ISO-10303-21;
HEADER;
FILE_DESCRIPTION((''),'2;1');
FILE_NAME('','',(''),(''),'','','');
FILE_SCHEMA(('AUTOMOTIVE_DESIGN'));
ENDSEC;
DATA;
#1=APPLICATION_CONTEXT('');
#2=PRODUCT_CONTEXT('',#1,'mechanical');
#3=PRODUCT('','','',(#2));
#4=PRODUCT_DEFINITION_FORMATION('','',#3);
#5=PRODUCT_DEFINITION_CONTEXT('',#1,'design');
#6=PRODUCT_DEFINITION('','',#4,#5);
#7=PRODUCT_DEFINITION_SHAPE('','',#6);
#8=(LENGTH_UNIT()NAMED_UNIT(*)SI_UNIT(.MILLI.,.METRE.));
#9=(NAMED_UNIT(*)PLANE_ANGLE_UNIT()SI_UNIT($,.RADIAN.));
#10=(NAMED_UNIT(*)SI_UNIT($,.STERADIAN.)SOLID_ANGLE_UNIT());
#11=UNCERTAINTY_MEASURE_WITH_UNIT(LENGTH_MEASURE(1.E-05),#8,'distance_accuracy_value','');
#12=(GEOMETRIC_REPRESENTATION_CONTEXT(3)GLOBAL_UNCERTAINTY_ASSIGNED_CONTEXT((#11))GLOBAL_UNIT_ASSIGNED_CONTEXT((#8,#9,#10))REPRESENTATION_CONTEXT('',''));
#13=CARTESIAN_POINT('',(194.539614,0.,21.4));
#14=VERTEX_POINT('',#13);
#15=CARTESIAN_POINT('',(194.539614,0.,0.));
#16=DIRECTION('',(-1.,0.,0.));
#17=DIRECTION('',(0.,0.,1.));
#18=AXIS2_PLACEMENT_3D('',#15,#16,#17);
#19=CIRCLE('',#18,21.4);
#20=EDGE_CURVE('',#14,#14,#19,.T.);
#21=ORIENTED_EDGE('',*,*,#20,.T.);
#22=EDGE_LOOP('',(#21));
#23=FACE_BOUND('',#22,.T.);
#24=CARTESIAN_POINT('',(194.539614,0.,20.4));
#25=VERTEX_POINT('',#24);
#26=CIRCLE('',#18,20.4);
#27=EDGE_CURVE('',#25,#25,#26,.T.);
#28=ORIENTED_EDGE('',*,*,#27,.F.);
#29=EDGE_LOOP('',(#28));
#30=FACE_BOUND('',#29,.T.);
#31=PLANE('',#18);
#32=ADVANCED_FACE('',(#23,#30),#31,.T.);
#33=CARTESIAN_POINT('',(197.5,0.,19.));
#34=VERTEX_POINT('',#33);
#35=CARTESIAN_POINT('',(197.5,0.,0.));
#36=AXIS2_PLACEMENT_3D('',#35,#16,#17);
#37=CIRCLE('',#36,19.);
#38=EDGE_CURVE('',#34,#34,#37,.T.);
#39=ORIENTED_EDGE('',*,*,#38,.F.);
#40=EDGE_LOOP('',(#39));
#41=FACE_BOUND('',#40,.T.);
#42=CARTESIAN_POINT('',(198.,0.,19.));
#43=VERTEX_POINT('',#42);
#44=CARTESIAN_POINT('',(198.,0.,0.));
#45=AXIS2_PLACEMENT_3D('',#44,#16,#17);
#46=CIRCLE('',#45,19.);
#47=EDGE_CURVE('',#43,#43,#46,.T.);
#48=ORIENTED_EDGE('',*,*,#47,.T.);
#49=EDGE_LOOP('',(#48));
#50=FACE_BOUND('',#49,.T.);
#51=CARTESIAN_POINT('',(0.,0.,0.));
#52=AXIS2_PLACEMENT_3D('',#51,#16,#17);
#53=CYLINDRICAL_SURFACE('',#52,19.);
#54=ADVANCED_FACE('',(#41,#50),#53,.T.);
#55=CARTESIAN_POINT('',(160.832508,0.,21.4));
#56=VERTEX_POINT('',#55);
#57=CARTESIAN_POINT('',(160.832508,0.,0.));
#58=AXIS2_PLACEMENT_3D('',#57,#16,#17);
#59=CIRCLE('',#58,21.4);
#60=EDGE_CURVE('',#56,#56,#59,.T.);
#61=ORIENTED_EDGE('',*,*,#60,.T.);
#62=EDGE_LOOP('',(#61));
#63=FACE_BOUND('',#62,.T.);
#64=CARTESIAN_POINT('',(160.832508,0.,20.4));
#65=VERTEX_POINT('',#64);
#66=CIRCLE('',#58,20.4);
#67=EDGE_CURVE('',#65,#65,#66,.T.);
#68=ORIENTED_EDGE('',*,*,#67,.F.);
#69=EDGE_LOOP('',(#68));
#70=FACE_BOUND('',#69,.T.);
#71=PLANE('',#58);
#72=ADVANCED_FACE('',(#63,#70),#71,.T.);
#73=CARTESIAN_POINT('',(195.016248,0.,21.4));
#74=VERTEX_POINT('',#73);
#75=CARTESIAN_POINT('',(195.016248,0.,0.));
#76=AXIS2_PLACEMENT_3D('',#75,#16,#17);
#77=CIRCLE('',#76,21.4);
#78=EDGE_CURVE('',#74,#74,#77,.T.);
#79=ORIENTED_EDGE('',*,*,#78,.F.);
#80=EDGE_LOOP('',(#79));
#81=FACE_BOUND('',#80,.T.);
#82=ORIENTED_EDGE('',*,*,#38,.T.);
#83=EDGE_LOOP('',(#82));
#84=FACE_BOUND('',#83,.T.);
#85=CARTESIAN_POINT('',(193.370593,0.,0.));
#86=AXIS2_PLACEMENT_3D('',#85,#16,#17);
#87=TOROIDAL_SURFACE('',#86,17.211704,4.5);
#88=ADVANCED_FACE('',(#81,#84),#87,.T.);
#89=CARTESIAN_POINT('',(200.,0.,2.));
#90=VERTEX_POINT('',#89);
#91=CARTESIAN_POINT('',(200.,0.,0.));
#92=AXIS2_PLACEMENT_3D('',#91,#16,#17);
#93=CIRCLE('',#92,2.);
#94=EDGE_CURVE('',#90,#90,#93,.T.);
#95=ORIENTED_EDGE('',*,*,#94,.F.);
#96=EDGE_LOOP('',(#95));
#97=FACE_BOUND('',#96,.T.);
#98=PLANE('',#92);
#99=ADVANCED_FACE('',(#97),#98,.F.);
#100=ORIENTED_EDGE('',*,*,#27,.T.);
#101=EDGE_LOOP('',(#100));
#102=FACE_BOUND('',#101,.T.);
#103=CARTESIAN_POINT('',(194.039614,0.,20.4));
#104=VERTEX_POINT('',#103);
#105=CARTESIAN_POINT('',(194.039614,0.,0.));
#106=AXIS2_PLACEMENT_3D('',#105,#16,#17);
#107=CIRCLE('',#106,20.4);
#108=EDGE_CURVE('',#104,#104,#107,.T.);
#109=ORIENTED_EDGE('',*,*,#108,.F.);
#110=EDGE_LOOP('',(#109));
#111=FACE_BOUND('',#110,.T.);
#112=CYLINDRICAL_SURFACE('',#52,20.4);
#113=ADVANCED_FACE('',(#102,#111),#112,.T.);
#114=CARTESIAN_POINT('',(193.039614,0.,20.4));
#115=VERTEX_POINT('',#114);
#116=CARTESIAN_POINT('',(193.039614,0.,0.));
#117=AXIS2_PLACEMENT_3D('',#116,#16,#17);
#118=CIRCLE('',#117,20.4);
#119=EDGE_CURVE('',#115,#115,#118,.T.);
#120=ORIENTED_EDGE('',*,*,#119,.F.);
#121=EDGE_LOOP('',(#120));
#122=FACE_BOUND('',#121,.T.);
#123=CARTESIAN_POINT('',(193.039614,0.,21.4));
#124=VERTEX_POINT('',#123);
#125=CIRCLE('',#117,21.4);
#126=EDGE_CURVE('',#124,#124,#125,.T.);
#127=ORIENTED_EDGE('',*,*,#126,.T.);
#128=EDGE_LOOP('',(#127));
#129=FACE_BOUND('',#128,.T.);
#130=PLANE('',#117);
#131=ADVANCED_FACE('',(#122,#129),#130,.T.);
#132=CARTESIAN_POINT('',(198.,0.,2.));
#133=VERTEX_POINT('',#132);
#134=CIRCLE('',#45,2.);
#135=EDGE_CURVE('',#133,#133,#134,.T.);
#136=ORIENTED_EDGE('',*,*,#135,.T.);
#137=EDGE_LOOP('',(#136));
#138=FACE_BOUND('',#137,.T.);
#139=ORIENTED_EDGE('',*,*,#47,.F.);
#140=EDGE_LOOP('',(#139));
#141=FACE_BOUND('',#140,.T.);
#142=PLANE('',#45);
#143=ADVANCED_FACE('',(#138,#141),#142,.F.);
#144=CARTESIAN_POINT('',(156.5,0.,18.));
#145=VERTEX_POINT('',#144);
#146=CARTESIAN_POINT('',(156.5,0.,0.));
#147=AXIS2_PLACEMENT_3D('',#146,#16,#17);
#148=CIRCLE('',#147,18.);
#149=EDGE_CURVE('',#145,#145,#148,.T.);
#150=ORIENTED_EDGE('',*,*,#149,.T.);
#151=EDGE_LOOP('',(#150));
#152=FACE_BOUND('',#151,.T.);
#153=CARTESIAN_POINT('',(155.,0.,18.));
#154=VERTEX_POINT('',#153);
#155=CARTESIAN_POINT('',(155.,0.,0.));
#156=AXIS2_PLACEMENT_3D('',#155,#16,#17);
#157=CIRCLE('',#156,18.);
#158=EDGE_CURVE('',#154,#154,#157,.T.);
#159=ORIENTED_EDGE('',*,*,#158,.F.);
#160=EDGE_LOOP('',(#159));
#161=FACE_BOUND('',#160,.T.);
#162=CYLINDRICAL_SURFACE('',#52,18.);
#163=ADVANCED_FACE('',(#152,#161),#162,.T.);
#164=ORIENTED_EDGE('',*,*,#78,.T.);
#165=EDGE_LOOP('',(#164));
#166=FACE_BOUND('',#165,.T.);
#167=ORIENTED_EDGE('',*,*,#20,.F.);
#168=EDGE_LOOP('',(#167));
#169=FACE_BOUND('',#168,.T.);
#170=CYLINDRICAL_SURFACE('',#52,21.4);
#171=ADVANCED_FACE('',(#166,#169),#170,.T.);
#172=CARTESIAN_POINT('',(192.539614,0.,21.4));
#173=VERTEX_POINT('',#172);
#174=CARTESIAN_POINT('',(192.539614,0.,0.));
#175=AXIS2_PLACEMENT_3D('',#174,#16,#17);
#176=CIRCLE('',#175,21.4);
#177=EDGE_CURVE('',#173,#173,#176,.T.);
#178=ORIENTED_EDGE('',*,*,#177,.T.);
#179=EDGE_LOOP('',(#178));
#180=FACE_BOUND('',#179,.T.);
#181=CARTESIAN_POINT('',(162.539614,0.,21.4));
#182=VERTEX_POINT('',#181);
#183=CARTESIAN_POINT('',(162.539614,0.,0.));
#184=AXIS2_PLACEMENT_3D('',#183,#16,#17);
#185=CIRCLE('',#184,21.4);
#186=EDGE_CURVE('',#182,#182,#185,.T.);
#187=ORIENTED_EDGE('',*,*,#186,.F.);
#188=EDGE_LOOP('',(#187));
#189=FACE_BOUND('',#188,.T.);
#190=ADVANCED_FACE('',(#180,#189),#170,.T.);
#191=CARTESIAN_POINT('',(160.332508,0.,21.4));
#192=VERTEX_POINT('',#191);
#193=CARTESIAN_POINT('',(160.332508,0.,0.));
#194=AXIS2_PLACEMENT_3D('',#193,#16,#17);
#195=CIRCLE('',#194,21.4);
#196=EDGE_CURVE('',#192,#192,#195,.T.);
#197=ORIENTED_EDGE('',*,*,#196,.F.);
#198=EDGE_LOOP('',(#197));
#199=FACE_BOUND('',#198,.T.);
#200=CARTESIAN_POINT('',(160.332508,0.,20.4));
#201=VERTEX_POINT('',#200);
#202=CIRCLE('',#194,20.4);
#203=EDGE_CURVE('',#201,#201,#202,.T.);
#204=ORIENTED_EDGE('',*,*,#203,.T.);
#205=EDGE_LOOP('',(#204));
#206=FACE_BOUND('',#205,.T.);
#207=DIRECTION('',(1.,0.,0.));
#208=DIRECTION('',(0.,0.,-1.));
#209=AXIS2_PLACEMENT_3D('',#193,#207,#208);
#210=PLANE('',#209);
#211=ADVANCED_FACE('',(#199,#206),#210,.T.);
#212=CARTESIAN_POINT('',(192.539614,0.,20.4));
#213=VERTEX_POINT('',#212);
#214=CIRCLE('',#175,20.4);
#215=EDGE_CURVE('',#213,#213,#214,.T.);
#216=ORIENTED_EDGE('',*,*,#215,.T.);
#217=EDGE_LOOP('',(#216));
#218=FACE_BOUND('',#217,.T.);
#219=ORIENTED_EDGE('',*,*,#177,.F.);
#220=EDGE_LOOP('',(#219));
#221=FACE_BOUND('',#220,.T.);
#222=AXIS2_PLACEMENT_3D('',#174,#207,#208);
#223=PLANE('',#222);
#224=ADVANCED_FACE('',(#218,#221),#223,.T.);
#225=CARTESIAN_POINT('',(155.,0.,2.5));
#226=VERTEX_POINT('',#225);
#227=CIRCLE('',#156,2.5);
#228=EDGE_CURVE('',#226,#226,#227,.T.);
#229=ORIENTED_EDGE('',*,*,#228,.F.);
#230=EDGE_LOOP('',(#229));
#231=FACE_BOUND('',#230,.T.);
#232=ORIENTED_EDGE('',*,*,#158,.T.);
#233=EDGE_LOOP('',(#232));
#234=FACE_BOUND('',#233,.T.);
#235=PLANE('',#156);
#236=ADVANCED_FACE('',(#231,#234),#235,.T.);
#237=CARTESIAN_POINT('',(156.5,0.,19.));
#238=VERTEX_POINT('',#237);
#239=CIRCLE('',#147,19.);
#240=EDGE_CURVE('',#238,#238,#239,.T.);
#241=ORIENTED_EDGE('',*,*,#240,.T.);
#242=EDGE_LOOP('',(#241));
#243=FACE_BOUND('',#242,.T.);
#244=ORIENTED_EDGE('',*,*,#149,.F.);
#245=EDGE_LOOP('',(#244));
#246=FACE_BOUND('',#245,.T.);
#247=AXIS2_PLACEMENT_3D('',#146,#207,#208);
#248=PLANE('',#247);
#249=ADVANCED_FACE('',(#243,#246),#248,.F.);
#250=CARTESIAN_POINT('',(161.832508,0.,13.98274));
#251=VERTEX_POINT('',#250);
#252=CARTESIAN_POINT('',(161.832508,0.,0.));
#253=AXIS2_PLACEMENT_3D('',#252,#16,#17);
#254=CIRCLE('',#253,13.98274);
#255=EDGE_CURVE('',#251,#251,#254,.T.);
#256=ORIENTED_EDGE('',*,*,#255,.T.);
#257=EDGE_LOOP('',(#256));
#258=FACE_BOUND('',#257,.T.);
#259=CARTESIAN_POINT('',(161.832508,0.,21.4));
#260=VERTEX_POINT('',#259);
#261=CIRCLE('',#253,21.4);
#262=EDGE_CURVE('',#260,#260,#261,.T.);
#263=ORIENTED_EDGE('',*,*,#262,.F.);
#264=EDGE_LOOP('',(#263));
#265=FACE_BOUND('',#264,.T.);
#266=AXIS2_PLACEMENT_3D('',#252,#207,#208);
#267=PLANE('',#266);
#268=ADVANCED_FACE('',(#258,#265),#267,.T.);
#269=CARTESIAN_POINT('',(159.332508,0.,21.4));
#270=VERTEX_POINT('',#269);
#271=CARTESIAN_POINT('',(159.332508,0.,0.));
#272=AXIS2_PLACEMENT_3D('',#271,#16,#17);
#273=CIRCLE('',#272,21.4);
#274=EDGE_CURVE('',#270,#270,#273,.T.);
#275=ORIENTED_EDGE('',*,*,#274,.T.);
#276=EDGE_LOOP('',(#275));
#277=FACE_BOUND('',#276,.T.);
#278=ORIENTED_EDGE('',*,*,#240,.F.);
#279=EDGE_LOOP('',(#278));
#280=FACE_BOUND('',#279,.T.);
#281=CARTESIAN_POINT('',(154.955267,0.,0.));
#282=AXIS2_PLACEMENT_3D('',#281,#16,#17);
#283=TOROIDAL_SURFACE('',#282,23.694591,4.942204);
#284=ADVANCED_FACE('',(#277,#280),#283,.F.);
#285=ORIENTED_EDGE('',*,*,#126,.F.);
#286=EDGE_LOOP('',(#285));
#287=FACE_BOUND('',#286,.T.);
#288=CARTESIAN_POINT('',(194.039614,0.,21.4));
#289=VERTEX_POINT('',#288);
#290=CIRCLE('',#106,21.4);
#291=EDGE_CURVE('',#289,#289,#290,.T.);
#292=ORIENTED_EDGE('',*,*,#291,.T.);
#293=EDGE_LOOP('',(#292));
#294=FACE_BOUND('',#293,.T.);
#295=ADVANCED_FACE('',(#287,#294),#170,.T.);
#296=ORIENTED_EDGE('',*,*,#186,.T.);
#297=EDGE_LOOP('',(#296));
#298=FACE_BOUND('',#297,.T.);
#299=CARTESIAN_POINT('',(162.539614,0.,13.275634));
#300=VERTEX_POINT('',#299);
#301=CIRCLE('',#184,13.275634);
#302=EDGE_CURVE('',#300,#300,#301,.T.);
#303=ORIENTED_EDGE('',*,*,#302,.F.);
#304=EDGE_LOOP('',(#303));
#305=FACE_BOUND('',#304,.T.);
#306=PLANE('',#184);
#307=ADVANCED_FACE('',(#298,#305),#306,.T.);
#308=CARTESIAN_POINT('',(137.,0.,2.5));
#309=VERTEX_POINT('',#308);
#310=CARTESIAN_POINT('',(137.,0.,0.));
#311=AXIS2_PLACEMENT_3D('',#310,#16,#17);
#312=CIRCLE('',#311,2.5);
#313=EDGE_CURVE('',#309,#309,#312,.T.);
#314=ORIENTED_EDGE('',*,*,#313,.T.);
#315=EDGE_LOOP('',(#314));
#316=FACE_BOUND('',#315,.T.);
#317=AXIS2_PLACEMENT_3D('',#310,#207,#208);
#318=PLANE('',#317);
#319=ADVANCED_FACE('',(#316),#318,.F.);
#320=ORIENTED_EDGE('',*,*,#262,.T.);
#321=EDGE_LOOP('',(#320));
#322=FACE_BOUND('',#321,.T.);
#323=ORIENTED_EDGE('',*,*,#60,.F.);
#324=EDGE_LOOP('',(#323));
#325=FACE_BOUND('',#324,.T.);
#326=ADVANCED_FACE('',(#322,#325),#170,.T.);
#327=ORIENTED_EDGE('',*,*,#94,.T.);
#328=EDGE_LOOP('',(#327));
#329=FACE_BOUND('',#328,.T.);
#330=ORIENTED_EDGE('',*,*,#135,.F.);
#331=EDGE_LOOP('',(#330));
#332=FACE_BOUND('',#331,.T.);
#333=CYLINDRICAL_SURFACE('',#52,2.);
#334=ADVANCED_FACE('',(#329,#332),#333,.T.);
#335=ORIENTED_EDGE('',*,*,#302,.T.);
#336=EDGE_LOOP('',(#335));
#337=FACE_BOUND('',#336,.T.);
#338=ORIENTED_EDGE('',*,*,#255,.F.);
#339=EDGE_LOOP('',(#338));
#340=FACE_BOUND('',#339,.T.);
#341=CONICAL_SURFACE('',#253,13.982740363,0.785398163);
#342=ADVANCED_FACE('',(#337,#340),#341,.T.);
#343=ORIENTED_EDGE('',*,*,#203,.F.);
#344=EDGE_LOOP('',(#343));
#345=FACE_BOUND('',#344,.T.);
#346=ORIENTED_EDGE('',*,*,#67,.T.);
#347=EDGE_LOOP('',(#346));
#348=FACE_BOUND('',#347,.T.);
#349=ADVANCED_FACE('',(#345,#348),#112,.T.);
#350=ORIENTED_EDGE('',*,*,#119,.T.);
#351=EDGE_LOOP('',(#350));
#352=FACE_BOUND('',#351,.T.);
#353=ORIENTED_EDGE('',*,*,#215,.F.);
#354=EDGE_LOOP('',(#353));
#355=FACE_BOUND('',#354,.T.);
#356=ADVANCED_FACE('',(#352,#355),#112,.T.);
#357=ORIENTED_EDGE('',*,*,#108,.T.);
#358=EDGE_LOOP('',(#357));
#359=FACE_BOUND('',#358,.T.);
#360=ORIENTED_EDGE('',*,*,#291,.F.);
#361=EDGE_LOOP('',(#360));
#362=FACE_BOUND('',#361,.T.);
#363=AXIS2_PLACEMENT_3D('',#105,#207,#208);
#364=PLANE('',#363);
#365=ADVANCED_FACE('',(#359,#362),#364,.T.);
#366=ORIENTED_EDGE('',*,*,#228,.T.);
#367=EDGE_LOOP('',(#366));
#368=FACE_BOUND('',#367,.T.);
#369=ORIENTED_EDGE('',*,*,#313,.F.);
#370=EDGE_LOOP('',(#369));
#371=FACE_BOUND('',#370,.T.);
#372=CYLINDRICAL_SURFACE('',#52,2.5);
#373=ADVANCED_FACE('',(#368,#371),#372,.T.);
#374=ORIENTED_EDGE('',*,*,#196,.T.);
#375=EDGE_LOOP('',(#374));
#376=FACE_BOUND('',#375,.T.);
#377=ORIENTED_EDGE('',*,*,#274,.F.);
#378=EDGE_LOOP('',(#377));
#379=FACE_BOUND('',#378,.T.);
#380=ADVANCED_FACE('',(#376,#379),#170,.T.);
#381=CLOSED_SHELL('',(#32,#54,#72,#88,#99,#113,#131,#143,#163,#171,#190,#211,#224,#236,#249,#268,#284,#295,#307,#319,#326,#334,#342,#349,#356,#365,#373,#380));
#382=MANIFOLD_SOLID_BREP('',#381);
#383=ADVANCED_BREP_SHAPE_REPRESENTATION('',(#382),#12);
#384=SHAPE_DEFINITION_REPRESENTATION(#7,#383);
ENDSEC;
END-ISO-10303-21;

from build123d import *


with BuildPart() as part:
    # Sketch6 → Revolve1 (revolve)
    with BuildSketch(Plane.XY, mode=Mode.PRIVATE) as revolve1_sk:
        with BuildLine():
            Line((137, 2.5), (137, 0))
            Line((137, 0), (155, 0))
            Line((155, 0), (161.832507571, 0))
            Line((161.832507571, 0), (161.832507571, 13.982740363))
            Line((161.832507571, 13.982740363), (161.832507571, 21.4))
            Line((161.832507571, 21.4), (160.832507571, 21.4))
            Line((160.832507571, 21.4), (160.832507571, 20.4))
            Line((160.832507571, 20.4), (160.332507571, 20.4))
            Line((160.332507571, 20.4), (160.332507571, 21.4))
            Line((160.332507571, 21.4), (159.332507571, 21.4))
            ThreePointArc((159.332507571, 21.4), (158.150175861, 19.923922479), (156.5, 19))
            Line((156.5, 19), (156.5, 18))
            Line((156.5, 18), (155, 18))
            Line((155, 18), (155, 2.5))
            Line((155, 2.5), (137, 2.5))
        make_face()
        Polygon((161.832507571, 13.982740363), (161.832507571, 0), (162.539614352, 0), (162.539614352, 13.275633582), align=None)
        with BuildLine():
            Line((162.539614352, 13.275633582), (162.539614352, 0))
            Line((162.539614352, 0), (200, 0))
            Line((200, 0), (200, 2))
            Line((200, 2), (198, 2))
            Line((198, 2), (198, 19))
            Line((198, 19), (197.5, 19))
            ThreePointArc((197.5, 19), (196.497546245, 20.44777704), (195.016248395, 21.4))
            Line((195.016248395, 21.4), (194.539614352, 21.4))
            Line((194.539614352, 21.4), (194.539614352, 20.4))
            Line((194.539614352, 20.4), (194.039614352, 20.4))
            Line((194.039614352, 20.4), (194.039614352, 21.4))
            Line((194.039614352, 21.4), (193.039614352, 21.4))
            Line((193.039614352, 21.4), (193.039614352, 20.4))
            Line((193.039614352, 20.4), (192.539614352, 20.4))
            Line((192.539614352, 20.4), (192.539614352, 21.4))
            Line((192.539614352, 21.4), (162.539614352, 21.4))
            Line((162.539614352, 21.4), (162.539614352, 13.275633582))
        make_face()
    revolve(revolve1_sk.sketch.rotate(Axis((0, 0, 0), (1, 0, 0)), 90), axis=Axis((0, 0, 0), (1, 0, 0)))


solid = part.part
